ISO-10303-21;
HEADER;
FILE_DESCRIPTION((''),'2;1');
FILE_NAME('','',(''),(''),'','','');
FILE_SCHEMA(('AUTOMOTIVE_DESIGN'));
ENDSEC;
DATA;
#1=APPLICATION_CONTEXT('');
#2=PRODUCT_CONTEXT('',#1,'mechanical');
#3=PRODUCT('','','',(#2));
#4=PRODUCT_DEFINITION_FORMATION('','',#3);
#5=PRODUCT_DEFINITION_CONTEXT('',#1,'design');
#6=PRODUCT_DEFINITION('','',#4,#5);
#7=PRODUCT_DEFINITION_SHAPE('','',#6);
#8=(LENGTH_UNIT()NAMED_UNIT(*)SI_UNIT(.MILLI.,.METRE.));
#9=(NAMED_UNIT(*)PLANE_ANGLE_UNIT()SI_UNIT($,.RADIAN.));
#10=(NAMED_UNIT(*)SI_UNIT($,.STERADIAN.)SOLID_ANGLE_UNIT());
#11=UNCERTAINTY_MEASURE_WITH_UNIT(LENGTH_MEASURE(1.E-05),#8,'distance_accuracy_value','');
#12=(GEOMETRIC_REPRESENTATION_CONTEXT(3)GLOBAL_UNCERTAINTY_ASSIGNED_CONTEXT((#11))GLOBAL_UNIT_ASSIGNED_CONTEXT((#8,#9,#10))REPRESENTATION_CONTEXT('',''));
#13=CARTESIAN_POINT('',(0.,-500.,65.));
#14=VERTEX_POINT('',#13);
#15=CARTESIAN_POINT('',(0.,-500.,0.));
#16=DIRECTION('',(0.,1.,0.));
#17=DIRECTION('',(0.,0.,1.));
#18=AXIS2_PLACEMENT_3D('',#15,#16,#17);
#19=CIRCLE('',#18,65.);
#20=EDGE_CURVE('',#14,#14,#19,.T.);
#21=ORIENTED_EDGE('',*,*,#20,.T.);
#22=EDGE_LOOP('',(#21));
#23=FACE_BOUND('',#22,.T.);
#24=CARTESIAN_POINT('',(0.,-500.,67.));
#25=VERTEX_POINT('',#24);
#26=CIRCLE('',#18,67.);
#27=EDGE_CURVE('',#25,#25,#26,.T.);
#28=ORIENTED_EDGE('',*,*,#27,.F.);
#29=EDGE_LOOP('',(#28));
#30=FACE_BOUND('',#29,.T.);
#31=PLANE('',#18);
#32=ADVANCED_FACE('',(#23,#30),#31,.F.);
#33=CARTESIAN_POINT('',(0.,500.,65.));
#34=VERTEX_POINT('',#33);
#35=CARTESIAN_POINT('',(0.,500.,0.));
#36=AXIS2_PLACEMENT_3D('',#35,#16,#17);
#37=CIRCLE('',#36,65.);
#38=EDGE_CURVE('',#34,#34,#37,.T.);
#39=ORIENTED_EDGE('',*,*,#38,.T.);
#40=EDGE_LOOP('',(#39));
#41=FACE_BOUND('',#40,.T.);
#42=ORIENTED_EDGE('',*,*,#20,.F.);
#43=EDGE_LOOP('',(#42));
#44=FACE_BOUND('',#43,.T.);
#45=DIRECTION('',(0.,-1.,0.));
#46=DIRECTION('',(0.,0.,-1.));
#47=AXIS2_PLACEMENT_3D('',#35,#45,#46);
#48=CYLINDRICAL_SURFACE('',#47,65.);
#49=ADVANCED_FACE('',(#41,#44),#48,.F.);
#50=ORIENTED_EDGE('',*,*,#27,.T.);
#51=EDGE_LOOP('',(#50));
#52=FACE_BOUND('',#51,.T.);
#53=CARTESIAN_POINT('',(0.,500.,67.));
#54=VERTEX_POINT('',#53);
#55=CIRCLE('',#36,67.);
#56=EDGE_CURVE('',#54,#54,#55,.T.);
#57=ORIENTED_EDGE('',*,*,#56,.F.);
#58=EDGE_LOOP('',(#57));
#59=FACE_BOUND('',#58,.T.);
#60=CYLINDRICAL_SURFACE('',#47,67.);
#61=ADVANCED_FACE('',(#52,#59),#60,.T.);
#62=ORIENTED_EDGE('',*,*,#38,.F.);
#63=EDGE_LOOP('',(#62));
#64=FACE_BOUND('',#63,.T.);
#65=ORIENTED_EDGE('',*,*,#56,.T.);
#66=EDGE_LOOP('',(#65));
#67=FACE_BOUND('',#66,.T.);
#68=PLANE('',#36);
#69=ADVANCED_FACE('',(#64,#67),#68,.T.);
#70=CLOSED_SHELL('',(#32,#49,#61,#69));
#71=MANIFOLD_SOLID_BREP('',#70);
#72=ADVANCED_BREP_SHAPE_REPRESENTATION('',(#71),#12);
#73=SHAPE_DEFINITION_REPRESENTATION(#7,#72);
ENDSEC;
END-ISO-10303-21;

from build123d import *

# Parameters (mm, degrees)
SKETCH1_R           = 67
SKETCH1_R_2         = 65
BOSS_EXTRUDE1_DEPTH = 500


with BuildPart() as part:
    # Sketch1 → Boss-Extrude1 (new body, symmetric)
    with BuildSketch(Plane(origin=(0, 0, 0), x_dir=(1, 0, 0), z_dir=(0, 1, 0))):
        Circle(SKETCH1_R)
        Circle(SKETCH1_R_2, mode=Mode.SUBTRACT)
    extrude(amount=BOSS_EXTRUDE1_DEPTH, both=True)


solid = part.part
